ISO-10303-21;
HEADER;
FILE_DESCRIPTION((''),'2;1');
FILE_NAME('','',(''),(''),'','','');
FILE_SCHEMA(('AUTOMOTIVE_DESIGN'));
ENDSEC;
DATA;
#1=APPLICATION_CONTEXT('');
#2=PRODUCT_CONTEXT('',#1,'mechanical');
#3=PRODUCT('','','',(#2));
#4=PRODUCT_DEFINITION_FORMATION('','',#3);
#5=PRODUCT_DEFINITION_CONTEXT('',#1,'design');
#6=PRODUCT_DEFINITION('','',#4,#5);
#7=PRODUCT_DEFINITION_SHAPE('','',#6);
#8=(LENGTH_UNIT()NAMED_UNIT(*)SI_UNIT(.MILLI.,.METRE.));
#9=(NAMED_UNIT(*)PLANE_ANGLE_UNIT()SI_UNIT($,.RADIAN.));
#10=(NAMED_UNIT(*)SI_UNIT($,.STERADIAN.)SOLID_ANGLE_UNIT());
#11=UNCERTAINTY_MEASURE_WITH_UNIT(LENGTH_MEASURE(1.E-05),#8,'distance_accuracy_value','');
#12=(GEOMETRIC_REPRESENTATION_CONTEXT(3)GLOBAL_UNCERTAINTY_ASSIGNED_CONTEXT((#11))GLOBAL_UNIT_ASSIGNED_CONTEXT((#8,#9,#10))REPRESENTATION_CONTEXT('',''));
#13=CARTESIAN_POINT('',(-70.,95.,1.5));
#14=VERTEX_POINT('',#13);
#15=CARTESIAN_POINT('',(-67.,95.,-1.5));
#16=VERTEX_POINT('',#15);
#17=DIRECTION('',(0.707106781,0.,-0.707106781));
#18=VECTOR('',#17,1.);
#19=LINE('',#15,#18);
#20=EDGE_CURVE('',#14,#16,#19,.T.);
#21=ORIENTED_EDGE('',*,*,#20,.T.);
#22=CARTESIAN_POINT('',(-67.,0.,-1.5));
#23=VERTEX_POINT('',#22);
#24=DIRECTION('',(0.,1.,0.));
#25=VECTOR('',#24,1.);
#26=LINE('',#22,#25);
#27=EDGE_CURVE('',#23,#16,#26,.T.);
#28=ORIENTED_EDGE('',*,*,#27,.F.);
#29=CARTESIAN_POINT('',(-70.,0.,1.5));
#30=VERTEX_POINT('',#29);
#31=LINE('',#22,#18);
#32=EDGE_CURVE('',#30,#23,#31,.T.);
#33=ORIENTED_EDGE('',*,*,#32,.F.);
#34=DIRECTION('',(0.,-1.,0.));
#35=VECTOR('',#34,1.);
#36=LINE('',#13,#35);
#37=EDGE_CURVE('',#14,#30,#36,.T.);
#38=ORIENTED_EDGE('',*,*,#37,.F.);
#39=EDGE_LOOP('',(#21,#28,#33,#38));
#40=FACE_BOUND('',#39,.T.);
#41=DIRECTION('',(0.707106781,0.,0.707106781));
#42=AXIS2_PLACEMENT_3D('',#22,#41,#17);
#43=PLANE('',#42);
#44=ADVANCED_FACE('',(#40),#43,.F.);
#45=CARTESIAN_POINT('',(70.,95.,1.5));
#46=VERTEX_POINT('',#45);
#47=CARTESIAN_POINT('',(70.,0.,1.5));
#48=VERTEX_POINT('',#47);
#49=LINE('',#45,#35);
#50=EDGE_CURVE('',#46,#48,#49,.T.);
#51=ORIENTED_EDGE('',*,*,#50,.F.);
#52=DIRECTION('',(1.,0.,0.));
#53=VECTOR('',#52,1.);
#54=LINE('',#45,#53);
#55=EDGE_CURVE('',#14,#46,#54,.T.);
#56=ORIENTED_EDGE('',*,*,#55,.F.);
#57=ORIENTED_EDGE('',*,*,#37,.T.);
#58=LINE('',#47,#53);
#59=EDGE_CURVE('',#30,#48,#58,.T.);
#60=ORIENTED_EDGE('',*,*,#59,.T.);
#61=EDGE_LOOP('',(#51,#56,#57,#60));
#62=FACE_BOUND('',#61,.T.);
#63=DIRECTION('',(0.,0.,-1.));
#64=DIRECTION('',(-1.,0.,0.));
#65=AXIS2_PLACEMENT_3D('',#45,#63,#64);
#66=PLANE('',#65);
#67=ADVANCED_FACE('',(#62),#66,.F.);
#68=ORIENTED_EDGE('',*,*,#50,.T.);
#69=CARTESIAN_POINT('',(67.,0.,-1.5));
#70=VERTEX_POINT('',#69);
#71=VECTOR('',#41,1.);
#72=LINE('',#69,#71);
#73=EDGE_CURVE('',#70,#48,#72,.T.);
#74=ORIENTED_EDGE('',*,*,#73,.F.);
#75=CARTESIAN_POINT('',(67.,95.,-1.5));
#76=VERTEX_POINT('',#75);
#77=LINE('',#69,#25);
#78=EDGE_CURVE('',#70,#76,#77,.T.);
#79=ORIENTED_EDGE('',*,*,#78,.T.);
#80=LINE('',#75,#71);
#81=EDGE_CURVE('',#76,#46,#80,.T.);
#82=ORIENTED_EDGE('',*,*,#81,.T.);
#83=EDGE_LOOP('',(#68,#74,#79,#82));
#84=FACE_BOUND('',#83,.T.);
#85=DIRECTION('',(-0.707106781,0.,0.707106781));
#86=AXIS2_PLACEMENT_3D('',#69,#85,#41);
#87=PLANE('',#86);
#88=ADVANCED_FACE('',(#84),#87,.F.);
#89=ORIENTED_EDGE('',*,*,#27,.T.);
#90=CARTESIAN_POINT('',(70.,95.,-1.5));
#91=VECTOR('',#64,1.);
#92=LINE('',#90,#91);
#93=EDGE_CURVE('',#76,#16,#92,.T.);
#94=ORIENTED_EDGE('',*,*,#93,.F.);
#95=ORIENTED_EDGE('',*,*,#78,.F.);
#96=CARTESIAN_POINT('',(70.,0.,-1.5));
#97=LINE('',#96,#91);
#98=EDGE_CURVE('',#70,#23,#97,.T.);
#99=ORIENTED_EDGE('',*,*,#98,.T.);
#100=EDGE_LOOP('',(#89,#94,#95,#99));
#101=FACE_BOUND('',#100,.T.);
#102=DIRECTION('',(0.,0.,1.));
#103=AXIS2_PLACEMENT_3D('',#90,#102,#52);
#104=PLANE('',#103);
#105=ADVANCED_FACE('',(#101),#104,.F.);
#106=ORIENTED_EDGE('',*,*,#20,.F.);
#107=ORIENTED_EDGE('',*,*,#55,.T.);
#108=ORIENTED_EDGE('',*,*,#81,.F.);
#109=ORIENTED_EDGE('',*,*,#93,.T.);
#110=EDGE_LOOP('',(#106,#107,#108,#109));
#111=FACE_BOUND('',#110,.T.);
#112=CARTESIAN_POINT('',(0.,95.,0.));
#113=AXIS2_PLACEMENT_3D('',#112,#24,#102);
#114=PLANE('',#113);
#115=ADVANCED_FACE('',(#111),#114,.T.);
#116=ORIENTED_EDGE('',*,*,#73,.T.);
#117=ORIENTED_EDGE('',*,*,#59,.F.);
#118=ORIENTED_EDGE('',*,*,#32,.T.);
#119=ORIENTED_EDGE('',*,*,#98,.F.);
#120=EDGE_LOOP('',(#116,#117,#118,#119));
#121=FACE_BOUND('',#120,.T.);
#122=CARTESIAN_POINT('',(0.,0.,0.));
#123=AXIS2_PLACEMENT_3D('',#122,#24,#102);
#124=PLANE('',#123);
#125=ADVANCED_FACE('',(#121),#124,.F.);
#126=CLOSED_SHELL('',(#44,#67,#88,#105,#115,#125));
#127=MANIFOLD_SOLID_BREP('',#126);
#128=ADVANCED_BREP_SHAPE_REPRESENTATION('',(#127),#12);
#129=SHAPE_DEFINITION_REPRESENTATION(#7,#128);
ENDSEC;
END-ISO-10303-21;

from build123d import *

# Parameters (mm, degrees)
SKETCH1_W           = 140
SKETCH1_H           = 3
BOSS_EXTRUDE1_DEPTH = 95
CUT_EXTRUDE1_DEPTH  = 95


with BuildPart() as part:
    # Sketch1 → Boss-Extrude1 (new body)
    with BuildSketch(Plane(origin=(0, 0, 0), x_dir=(1, 0, 0), z_dir=(0, 1, 0))):
        Rectangle(SKETCH1_W, SKETCH1_H)
    extrude(amount=BOSS_EXTRUDE1_DEPTH)

    # Sketch2 → Cut-Extrude1 (cut)
    with BuildSketch(Plane(origin=(0, 95, 0), x_dir=(1, 0, 0), z_dir=(0, 1, 0))):
        Polygon((70, -1.5), (70, 1.5), (67, 1.5), align=None)
        Polygon((-70, -1.5), (-70, 1.5), (-67, 1.5), align=None)
    extrude(amount=-CUT_EXTRUDE1_DEPTH, mode=Mode.SUBTRACT)


solid = part.part
